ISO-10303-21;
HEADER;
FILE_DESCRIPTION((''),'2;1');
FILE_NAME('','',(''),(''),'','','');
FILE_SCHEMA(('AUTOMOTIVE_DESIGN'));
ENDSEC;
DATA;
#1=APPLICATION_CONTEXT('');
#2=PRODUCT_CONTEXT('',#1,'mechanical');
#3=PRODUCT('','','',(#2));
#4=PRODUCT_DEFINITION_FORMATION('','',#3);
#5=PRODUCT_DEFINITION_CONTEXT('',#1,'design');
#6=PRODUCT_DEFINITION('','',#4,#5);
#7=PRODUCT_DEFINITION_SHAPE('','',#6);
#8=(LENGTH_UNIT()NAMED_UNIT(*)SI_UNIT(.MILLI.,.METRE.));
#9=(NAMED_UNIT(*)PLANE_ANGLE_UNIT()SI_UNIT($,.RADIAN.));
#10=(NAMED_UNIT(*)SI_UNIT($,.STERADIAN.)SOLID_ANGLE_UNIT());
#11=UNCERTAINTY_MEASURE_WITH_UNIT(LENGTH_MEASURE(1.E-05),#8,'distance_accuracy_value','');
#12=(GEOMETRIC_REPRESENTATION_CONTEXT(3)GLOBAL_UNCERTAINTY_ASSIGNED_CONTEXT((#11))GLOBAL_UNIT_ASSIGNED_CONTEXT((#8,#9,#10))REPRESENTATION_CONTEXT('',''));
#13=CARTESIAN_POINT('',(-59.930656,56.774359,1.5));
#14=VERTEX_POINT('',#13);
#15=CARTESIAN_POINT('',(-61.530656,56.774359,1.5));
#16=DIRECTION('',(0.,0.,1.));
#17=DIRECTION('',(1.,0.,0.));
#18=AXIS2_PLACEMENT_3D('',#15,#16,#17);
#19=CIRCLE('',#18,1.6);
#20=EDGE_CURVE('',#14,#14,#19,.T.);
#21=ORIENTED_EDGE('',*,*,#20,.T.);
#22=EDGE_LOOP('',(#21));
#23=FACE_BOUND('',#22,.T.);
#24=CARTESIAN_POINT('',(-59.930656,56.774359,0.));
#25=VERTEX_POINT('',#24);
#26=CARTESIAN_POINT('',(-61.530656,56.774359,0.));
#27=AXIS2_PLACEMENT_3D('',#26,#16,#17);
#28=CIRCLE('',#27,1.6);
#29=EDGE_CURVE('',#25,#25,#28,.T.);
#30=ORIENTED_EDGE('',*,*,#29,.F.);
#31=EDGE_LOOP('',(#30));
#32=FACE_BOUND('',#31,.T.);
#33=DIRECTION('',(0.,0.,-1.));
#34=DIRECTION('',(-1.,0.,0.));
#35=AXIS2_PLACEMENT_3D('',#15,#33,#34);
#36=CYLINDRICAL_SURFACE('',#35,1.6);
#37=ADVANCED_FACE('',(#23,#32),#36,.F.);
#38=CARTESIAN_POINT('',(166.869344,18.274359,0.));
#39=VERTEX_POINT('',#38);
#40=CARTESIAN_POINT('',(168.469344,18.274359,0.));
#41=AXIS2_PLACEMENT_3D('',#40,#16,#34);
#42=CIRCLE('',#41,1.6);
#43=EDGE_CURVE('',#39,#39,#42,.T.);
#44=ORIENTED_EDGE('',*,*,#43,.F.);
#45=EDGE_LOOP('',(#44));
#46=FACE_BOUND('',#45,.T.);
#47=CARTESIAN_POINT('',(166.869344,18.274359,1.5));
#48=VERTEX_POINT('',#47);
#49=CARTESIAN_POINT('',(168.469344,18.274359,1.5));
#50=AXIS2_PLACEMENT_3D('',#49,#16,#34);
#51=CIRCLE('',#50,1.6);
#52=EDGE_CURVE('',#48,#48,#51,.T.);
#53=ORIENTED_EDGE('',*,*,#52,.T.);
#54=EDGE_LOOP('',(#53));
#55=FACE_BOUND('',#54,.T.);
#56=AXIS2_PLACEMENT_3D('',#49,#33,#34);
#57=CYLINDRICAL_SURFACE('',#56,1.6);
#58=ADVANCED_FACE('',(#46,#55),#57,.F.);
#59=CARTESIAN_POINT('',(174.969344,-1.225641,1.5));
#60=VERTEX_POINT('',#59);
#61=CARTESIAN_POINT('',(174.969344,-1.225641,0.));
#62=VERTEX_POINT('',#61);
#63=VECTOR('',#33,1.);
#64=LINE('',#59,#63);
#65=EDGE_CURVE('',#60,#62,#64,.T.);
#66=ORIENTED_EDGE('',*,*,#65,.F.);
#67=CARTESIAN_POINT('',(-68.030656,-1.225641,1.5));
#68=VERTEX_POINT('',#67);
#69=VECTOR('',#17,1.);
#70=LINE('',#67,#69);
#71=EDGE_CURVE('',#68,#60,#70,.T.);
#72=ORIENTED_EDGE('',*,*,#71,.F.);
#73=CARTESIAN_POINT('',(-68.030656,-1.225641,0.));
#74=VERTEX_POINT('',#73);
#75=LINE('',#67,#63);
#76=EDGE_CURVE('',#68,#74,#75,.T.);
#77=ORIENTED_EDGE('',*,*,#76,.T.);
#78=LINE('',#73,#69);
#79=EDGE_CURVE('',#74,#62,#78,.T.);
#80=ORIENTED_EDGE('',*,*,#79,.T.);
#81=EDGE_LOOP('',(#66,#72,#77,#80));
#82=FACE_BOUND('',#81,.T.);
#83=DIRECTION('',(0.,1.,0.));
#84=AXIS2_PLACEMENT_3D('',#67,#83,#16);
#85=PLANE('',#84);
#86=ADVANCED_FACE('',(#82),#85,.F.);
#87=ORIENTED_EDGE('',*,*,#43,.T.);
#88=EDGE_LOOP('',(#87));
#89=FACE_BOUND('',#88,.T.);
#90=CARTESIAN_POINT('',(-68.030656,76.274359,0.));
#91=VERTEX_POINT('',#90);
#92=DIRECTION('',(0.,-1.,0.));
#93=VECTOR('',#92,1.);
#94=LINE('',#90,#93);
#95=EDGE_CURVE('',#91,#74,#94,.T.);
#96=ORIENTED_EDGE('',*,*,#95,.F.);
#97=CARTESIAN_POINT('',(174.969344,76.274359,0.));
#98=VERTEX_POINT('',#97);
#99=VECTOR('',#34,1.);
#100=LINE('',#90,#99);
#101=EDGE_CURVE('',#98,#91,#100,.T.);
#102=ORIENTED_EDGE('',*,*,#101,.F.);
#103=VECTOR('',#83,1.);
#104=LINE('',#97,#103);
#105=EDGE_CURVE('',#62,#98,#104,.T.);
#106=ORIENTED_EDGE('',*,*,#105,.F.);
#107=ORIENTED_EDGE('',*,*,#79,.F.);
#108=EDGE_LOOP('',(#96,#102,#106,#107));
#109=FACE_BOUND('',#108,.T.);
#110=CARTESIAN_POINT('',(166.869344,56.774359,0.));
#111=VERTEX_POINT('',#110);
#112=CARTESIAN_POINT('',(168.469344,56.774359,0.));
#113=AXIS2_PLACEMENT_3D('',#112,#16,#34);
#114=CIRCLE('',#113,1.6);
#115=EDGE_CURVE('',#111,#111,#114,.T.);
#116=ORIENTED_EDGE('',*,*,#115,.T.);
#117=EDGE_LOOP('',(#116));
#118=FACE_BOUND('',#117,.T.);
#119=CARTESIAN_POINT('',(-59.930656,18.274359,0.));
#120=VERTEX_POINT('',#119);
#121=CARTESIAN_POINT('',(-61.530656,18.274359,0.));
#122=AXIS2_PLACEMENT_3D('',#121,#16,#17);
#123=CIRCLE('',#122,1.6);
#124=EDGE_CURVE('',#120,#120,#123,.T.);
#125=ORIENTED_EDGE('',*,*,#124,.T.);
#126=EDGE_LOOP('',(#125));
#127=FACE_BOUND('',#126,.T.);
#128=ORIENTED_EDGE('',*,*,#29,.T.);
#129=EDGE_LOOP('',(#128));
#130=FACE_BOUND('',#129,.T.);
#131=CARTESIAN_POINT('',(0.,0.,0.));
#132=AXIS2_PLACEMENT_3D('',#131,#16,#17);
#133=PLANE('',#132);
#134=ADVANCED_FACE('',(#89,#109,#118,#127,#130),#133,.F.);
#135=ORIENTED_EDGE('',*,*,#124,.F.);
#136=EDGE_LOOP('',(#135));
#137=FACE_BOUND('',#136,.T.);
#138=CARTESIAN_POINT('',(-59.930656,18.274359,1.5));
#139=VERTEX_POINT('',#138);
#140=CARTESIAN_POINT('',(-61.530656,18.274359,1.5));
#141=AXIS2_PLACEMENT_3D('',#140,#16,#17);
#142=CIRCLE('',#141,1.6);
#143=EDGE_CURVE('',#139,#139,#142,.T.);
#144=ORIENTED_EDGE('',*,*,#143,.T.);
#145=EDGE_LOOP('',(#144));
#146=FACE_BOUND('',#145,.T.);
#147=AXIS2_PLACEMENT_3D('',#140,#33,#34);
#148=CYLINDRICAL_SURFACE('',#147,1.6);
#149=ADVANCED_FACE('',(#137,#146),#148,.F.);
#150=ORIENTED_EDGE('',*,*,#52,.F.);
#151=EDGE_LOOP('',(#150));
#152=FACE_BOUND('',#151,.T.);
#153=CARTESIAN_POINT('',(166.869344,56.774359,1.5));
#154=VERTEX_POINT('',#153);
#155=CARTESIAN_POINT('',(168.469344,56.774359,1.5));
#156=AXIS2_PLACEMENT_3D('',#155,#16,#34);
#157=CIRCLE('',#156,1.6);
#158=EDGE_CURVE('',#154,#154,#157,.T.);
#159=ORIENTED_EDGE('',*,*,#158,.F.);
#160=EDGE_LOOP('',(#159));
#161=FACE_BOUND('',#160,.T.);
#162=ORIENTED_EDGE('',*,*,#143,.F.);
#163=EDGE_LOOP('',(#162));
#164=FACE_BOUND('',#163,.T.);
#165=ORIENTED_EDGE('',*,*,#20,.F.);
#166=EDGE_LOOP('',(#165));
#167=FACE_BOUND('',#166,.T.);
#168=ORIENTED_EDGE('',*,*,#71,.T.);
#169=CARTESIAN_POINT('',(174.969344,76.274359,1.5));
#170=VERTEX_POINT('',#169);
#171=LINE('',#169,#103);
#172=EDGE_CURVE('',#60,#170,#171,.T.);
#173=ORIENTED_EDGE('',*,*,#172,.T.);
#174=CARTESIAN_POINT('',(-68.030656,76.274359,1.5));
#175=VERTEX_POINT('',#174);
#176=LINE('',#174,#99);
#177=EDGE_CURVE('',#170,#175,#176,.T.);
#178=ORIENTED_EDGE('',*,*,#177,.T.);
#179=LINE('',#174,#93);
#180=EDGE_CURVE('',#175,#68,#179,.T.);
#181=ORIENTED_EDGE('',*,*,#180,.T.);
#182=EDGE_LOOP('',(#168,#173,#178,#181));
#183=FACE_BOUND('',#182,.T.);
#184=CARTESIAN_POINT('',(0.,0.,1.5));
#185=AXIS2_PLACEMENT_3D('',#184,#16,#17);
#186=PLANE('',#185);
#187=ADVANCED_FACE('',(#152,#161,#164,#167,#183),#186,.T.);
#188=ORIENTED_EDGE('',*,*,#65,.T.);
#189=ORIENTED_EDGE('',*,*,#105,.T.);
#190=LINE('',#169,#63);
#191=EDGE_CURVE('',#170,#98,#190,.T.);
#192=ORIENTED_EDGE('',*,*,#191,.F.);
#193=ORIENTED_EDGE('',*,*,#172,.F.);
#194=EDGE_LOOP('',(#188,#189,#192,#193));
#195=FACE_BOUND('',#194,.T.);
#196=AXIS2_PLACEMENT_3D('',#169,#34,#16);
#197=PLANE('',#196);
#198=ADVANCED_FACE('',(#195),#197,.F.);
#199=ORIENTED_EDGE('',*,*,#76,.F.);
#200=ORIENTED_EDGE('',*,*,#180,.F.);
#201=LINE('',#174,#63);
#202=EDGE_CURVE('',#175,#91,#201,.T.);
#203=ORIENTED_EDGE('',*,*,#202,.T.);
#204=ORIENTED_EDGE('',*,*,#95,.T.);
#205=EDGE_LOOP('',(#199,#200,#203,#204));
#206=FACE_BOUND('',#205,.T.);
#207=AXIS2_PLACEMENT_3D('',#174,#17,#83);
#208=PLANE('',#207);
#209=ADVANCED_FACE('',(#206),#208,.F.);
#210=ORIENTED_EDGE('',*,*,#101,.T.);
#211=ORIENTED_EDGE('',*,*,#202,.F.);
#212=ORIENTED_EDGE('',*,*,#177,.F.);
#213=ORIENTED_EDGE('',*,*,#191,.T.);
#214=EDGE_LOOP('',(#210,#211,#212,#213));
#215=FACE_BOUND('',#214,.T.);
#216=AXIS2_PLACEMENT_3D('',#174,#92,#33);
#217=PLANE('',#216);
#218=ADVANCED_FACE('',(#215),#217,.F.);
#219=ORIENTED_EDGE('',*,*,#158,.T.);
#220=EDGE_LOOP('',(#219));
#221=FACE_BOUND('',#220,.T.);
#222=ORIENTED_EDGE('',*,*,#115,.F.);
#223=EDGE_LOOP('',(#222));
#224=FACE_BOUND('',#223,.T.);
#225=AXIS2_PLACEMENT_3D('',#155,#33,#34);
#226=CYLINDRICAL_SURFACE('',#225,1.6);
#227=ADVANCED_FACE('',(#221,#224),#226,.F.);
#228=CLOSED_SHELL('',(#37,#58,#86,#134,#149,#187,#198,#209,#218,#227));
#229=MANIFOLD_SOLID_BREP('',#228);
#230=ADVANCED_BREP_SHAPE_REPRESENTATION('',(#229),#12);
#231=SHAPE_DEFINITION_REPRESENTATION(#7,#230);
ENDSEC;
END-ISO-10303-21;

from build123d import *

# Parameters (mm, degrees)
SKETCH1_W           = 243
SKETCH1_H           = 77.5
SKETCH1_R           = 1.6
BOSS_EXTRUDE1_DEPTH = 1.5


with BuildPart() as part:
    # Sketch1 → Boss-Extrude1 (new body)
    with BuildSketch(Plane.XY):
        with Locations((53.469343532, 37.524359285)):
            Rectangle(SKETCH1_W, SKETCH1_H)
        with Locations((-61.530656468, 56.774359285)):
            Circle(SKETCH1_R, mode=Mode.SUBTRACT)
        with Locations((-61.530656468, 18.274359285)):
            Circle(SKETCH1_R, mode=Mode.SUBTRACT)
        with Locations(Location((168.469343532, 18.274359285, 0), (0, 0, 180))):
            Circle(SKETCH1_R, mode=Mode.SUBTRACT)
        with Locations(Location((168.469343532, 56.774359285, 0), (0, 0, 180))):
            Circle(SKETCH1_R, mode=Mode.SUBTRACT)
    extrude(amount=BOSS_EXTRUDE1_DEPTH)


solid = part.part
